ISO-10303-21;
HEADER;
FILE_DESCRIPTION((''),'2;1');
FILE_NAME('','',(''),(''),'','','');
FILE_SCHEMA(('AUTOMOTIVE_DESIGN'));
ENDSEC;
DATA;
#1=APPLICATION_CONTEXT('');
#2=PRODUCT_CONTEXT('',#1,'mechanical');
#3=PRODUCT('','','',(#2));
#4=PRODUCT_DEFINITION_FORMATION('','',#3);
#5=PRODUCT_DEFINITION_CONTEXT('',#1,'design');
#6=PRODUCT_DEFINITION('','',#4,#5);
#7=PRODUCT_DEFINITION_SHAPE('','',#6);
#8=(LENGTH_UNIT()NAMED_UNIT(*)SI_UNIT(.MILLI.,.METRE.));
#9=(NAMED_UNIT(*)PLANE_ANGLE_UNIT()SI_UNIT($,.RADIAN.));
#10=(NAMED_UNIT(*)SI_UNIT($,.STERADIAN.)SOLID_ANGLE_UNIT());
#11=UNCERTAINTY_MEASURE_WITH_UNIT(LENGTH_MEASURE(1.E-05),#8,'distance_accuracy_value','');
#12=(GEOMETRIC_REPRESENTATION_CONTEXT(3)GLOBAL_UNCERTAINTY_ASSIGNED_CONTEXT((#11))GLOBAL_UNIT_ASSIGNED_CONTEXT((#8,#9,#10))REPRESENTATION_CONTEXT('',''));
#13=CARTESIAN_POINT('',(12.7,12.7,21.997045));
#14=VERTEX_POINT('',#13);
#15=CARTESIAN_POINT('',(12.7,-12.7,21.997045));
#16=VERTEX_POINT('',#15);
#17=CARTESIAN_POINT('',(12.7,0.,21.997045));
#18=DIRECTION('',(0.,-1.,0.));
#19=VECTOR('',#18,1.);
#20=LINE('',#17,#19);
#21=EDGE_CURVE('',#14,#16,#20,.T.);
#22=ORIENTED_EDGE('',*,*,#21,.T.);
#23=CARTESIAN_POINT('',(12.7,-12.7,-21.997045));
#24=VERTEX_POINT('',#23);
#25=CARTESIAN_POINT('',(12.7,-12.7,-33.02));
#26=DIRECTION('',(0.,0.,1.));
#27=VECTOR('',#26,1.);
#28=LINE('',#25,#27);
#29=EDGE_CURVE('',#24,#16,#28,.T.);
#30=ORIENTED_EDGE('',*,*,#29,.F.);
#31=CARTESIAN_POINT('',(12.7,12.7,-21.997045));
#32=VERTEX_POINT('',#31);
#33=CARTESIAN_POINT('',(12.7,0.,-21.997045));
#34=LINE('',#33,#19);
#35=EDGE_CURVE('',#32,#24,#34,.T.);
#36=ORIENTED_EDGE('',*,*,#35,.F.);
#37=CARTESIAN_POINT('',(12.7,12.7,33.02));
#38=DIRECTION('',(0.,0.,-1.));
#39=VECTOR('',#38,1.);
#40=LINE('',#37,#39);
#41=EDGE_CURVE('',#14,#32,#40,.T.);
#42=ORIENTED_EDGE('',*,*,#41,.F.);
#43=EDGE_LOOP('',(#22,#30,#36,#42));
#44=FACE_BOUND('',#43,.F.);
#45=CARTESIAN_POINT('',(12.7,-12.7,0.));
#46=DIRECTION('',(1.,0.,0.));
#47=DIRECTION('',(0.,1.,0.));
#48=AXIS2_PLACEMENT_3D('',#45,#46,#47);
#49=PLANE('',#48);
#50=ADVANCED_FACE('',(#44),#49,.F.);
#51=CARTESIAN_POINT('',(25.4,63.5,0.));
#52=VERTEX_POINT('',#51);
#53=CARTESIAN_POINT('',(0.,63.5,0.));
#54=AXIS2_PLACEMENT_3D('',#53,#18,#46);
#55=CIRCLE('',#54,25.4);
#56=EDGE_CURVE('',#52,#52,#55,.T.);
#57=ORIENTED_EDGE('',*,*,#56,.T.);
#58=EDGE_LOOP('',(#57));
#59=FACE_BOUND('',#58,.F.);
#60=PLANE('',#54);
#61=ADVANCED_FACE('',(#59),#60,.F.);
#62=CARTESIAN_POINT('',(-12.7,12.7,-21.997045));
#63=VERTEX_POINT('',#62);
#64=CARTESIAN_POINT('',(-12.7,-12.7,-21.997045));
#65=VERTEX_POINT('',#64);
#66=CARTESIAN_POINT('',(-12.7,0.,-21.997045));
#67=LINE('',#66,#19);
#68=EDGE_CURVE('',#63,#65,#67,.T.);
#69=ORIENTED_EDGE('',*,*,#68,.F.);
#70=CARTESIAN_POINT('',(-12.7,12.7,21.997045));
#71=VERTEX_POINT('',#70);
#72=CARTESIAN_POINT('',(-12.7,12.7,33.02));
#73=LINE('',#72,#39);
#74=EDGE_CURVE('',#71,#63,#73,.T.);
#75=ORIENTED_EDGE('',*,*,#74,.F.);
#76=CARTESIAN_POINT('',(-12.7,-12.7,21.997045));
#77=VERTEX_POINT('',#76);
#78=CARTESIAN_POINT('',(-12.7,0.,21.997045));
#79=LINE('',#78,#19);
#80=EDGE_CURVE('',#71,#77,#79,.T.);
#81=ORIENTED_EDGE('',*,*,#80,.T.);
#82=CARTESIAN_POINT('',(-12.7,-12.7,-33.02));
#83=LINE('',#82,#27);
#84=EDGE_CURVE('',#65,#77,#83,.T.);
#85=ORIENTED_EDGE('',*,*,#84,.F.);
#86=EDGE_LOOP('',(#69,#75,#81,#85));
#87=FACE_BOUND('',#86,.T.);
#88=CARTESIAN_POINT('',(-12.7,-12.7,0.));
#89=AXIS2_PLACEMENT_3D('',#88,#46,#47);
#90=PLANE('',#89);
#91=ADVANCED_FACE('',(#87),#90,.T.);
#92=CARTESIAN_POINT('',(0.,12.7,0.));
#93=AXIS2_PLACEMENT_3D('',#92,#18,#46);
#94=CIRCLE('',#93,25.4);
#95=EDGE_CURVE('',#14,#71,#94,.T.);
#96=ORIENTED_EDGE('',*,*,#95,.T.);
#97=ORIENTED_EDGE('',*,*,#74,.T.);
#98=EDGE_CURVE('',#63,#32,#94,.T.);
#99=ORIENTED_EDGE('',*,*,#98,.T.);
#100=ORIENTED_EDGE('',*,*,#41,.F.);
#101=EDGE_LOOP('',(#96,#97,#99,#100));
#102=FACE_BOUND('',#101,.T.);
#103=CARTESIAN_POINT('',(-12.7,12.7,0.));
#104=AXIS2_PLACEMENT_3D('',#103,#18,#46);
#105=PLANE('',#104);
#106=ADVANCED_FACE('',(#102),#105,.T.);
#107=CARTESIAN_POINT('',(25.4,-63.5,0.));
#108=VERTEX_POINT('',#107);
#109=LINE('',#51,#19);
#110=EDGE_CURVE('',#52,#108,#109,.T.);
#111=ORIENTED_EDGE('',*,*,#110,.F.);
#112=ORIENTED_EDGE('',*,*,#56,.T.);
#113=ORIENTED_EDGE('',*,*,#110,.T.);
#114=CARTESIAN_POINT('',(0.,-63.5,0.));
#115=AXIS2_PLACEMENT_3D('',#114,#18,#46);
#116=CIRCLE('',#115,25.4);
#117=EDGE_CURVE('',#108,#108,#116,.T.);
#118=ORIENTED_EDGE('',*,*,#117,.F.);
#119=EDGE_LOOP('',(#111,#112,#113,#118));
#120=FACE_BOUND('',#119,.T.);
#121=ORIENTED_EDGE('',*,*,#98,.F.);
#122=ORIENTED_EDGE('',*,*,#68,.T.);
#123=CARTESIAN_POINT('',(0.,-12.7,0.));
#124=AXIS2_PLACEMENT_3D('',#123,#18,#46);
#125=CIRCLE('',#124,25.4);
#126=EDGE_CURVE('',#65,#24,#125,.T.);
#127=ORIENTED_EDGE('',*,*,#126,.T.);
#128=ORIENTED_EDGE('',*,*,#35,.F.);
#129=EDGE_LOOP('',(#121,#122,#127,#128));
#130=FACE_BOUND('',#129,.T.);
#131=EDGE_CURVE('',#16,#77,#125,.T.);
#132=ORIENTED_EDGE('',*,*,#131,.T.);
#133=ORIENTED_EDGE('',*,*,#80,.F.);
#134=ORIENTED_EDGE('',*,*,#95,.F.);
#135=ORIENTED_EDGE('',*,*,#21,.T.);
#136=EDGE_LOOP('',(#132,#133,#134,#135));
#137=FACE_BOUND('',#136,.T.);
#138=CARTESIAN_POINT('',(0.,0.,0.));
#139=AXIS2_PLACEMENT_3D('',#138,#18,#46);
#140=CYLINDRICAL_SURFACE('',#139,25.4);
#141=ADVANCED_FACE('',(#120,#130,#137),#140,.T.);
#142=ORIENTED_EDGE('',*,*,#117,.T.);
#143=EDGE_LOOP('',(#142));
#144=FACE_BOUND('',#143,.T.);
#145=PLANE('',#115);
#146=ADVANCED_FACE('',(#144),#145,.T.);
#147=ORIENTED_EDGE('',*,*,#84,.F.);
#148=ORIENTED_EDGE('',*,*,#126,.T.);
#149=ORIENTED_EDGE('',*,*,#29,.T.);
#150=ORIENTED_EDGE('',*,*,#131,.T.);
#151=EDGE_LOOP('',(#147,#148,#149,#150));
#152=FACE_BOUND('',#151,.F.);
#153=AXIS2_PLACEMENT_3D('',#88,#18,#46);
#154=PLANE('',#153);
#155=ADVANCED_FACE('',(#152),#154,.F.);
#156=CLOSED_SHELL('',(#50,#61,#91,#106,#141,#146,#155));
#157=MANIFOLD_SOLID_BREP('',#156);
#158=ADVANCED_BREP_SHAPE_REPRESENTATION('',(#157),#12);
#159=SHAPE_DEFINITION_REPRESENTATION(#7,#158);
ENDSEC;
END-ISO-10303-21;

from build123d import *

# Parameters (mm, degrees)
F0_R     = 25.4
F1_DEPTH = 63.5
F2_W     = 25.4
F2_H     = 25.4
F3_DEPTH = 33.02


with BuildPart() as f1:
    # F0 (on Front) → F1 (new body, symmetric)
    with BuildSketch(Plane.XZ):
        Circle(F0_R)
    extrude(amount=F1_DEPTH, both=True)

    # F2 (on Top) → F3 (cut, symmetric)
    with BuildSketch(Plane.XY):
        Rectangle(F2_W, F2_H)
    extrude(amount=F3_DEPTH, both=True, mode=Mode.SUBTRACT)


solid = f1.part
